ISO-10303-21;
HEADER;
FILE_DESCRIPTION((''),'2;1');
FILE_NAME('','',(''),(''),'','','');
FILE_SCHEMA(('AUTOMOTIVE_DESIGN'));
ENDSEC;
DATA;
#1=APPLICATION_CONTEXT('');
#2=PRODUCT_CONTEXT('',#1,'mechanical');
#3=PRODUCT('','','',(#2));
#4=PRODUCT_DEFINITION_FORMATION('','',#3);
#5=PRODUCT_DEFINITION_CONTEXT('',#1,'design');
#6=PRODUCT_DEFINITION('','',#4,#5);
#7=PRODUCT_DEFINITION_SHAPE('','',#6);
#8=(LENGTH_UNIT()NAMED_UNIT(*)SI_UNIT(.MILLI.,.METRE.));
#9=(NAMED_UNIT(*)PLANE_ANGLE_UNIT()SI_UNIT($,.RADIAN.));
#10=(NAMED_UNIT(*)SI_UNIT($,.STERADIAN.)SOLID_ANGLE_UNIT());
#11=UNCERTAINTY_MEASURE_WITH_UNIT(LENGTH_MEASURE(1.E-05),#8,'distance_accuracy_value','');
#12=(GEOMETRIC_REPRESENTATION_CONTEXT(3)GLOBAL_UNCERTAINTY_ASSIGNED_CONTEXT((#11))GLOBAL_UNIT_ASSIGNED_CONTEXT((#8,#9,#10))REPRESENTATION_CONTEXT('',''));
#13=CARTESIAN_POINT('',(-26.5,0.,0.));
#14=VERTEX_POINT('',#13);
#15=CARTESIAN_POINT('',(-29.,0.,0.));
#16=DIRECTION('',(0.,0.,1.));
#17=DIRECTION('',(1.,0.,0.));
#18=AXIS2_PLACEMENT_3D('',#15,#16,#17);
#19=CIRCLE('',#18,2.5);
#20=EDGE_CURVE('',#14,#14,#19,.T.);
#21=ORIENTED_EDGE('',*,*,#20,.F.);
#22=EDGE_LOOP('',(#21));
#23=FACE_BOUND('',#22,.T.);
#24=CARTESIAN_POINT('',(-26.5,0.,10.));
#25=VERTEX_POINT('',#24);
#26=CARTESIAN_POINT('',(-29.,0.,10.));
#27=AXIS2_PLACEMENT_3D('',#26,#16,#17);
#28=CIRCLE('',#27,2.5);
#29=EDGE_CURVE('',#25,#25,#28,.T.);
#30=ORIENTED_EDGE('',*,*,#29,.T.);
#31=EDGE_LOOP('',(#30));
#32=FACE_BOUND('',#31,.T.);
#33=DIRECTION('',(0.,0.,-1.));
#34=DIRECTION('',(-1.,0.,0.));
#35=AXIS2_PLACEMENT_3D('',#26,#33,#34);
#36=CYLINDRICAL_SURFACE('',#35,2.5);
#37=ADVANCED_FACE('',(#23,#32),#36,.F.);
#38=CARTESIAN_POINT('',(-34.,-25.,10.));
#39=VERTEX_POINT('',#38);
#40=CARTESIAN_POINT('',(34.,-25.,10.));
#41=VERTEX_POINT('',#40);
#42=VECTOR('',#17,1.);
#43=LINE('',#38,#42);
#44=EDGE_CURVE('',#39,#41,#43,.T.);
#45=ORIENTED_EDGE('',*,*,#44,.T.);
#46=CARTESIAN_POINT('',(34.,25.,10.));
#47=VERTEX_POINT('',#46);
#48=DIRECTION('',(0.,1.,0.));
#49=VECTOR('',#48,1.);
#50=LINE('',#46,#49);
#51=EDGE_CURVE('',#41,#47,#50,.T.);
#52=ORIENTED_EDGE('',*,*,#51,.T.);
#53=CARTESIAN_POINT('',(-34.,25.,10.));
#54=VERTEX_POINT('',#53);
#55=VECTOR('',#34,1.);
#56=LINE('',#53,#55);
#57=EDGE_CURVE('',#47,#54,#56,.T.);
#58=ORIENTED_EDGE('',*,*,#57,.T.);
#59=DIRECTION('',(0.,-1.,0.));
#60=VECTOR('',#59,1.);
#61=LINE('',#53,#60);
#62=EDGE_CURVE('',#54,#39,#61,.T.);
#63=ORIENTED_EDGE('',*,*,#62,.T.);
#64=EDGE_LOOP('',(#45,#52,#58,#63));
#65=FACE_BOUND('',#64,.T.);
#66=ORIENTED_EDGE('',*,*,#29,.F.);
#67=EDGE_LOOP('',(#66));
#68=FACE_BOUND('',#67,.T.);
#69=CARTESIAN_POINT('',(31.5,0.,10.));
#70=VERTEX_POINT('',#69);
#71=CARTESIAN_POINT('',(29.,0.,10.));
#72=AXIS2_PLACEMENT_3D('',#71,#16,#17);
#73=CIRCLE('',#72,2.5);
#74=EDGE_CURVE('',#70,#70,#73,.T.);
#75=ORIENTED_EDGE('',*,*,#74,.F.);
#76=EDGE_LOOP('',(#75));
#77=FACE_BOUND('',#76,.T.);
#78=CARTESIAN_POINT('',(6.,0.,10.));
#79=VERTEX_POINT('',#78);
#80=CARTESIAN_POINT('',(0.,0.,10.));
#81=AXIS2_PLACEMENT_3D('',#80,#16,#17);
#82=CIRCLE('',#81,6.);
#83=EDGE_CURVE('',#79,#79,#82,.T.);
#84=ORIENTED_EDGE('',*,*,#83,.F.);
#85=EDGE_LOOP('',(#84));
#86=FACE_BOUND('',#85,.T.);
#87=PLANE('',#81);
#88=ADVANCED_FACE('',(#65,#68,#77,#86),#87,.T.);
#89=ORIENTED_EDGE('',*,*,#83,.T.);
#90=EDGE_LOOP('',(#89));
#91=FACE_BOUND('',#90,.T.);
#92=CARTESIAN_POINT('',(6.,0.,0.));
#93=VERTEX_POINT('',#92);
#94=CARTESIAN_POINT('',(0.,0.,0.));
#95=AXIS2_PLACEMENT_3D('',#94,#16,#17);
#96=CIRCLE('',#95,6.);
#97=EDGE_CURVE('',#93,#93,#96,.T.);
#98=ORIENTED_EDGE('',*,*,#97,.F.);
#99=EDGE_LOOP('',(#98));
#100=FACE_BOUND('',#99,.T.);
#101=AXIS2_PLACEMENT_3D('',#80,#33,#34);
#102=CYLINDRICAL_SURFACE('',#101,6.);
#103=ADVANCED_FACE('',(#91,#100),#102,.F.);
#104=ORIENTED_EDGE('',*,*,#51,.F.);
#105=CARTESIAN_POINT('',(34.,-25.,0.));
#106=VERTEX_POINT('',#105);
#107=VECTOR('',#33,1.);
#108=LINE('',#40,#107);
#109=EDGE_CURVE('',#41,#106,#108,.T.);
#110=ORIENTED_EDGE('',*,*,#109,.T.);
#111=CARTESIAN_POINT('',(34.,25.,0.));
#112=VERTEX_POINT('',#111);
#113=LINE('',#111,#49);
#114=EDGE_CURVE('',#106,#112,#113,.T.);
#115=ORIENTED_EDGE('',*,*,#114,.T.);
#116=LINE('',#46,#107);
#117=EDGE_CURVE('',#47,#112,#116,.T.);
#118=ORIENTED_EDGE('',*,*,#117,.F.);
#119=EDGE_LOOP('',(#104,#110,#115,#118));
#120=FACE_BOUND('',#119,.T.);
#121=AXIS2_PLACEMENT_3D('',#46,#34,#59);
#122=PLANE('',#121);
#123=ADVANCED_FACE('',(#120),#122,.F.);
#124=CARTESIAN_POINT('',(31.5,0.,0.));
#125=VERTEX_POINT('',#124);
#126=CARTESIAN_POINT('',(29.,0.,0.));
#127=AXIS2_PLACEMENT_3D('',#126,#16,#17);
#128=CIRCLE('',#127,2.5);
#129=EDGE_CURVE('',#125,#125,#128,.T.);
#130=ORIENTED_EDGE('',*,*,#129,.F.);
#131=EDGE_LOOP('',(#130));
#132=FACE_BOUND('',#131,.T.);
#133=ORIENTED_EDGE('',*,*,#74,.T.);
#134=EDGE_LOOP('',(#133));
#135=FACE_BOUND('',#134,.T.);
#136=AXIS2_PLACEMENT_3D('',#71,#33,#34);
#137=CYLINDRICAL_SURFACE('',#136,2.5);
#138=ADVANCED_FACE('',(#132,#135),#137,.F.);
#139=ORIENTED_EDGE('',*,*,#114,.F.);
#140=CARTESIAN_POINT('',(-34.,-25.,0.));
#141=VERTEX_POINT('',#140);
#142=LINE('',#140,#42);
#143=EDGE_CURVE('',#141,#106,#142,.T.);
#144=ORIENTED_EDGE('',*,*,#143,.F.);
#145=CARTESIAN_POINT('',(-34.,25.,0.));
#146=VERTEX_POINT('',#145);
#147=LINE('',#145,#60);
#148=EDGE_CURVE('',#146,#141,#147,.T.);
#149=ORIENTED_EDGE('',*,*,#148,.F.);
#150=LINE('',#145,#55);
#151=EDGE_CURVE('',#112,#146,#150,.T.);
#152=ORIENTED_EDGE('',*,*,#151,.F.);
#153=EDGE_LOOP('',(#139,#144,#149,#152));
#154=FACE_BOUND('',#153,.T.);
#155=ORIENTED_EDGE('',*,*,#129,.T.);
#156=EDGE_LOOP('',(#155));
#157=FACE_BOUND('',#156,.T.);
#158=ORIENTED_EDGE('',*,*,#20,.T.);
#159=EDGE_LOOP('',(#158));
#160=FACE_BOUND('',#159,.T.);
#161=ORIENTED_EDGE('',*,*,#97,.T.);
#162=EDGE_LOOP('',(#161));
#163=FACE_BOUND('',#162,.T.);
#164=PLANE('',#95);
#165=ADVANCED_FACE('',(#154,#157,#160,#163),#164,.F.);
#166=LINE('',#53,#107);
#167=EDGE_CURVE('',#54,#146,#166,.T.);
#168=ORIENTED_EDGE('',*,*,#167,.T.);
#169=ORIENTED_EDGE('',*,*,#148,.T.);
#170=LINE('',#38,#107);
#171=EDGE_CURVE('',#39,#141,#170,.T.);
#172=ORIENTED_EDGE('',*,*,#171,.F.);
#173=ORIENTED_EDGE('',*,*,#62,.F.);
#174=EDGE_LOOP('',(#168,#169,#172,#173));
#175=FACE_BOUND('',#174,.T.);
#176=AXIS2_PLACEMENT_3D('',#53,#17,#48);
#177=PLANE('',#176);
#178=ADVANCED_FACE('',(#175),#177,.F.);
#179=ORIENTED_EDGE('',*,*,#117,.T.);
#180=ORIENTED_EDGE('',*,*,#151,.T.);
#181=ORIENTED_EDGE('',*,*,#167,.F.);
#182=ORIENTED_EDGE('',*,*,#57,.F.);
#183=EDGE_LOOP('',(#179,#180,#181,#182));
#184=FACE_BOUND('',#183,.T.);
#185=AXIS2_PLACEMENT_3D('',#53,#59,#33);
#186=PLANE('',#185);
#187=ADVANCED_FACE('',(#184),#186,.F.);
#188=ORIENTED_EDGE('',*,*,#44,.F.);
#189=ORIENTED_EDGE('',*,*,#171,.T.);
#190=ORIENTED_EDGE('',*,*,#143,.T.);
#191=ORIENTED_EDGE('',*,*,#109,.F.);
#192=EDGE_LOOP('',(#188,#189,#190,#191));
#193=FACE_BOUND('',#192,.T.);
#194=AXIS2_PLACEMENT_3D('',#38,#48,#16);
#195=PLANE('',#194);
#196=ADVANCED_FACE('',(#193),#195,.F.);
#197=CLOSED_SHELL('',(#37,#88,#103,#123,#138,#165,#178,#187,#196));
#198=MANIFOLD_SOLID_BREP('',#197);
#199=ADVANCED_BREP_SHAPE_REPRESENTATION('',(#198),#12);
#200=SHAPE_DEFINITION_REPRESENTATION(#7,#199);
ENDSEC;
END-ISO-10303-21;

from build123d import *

# Parameters (mm, degrees)
SKETCH1_W           = 68
SKETCH1_H           = 50
SKETCH1_R           = 6
SKETCH1_R_2         = 2.5
BOSS_EXTRUDE1_DEPTH = 10


with BuildPart() as part:
    # Sketch1 → Boss-Extrude1 (new body)
    with BuildSketch(Plane.XY):
        Rectangle(SKETCH1_W, SKETCH1_H)
        Circle(SKETCH1_R, mode=Mode.SUBTRACT)
        with Locations((29, 0)):
            Circle(SKETCH1_R_2, mode=Mode.SUBTRACT)
        with Locations((-29, 0)):
            Circle(SKETCH1_R_2, mode=Mode.SUBTRACT)
    extrude(amount=BOSS_EXTRUDE1_DEPTH)


solid = part.part
